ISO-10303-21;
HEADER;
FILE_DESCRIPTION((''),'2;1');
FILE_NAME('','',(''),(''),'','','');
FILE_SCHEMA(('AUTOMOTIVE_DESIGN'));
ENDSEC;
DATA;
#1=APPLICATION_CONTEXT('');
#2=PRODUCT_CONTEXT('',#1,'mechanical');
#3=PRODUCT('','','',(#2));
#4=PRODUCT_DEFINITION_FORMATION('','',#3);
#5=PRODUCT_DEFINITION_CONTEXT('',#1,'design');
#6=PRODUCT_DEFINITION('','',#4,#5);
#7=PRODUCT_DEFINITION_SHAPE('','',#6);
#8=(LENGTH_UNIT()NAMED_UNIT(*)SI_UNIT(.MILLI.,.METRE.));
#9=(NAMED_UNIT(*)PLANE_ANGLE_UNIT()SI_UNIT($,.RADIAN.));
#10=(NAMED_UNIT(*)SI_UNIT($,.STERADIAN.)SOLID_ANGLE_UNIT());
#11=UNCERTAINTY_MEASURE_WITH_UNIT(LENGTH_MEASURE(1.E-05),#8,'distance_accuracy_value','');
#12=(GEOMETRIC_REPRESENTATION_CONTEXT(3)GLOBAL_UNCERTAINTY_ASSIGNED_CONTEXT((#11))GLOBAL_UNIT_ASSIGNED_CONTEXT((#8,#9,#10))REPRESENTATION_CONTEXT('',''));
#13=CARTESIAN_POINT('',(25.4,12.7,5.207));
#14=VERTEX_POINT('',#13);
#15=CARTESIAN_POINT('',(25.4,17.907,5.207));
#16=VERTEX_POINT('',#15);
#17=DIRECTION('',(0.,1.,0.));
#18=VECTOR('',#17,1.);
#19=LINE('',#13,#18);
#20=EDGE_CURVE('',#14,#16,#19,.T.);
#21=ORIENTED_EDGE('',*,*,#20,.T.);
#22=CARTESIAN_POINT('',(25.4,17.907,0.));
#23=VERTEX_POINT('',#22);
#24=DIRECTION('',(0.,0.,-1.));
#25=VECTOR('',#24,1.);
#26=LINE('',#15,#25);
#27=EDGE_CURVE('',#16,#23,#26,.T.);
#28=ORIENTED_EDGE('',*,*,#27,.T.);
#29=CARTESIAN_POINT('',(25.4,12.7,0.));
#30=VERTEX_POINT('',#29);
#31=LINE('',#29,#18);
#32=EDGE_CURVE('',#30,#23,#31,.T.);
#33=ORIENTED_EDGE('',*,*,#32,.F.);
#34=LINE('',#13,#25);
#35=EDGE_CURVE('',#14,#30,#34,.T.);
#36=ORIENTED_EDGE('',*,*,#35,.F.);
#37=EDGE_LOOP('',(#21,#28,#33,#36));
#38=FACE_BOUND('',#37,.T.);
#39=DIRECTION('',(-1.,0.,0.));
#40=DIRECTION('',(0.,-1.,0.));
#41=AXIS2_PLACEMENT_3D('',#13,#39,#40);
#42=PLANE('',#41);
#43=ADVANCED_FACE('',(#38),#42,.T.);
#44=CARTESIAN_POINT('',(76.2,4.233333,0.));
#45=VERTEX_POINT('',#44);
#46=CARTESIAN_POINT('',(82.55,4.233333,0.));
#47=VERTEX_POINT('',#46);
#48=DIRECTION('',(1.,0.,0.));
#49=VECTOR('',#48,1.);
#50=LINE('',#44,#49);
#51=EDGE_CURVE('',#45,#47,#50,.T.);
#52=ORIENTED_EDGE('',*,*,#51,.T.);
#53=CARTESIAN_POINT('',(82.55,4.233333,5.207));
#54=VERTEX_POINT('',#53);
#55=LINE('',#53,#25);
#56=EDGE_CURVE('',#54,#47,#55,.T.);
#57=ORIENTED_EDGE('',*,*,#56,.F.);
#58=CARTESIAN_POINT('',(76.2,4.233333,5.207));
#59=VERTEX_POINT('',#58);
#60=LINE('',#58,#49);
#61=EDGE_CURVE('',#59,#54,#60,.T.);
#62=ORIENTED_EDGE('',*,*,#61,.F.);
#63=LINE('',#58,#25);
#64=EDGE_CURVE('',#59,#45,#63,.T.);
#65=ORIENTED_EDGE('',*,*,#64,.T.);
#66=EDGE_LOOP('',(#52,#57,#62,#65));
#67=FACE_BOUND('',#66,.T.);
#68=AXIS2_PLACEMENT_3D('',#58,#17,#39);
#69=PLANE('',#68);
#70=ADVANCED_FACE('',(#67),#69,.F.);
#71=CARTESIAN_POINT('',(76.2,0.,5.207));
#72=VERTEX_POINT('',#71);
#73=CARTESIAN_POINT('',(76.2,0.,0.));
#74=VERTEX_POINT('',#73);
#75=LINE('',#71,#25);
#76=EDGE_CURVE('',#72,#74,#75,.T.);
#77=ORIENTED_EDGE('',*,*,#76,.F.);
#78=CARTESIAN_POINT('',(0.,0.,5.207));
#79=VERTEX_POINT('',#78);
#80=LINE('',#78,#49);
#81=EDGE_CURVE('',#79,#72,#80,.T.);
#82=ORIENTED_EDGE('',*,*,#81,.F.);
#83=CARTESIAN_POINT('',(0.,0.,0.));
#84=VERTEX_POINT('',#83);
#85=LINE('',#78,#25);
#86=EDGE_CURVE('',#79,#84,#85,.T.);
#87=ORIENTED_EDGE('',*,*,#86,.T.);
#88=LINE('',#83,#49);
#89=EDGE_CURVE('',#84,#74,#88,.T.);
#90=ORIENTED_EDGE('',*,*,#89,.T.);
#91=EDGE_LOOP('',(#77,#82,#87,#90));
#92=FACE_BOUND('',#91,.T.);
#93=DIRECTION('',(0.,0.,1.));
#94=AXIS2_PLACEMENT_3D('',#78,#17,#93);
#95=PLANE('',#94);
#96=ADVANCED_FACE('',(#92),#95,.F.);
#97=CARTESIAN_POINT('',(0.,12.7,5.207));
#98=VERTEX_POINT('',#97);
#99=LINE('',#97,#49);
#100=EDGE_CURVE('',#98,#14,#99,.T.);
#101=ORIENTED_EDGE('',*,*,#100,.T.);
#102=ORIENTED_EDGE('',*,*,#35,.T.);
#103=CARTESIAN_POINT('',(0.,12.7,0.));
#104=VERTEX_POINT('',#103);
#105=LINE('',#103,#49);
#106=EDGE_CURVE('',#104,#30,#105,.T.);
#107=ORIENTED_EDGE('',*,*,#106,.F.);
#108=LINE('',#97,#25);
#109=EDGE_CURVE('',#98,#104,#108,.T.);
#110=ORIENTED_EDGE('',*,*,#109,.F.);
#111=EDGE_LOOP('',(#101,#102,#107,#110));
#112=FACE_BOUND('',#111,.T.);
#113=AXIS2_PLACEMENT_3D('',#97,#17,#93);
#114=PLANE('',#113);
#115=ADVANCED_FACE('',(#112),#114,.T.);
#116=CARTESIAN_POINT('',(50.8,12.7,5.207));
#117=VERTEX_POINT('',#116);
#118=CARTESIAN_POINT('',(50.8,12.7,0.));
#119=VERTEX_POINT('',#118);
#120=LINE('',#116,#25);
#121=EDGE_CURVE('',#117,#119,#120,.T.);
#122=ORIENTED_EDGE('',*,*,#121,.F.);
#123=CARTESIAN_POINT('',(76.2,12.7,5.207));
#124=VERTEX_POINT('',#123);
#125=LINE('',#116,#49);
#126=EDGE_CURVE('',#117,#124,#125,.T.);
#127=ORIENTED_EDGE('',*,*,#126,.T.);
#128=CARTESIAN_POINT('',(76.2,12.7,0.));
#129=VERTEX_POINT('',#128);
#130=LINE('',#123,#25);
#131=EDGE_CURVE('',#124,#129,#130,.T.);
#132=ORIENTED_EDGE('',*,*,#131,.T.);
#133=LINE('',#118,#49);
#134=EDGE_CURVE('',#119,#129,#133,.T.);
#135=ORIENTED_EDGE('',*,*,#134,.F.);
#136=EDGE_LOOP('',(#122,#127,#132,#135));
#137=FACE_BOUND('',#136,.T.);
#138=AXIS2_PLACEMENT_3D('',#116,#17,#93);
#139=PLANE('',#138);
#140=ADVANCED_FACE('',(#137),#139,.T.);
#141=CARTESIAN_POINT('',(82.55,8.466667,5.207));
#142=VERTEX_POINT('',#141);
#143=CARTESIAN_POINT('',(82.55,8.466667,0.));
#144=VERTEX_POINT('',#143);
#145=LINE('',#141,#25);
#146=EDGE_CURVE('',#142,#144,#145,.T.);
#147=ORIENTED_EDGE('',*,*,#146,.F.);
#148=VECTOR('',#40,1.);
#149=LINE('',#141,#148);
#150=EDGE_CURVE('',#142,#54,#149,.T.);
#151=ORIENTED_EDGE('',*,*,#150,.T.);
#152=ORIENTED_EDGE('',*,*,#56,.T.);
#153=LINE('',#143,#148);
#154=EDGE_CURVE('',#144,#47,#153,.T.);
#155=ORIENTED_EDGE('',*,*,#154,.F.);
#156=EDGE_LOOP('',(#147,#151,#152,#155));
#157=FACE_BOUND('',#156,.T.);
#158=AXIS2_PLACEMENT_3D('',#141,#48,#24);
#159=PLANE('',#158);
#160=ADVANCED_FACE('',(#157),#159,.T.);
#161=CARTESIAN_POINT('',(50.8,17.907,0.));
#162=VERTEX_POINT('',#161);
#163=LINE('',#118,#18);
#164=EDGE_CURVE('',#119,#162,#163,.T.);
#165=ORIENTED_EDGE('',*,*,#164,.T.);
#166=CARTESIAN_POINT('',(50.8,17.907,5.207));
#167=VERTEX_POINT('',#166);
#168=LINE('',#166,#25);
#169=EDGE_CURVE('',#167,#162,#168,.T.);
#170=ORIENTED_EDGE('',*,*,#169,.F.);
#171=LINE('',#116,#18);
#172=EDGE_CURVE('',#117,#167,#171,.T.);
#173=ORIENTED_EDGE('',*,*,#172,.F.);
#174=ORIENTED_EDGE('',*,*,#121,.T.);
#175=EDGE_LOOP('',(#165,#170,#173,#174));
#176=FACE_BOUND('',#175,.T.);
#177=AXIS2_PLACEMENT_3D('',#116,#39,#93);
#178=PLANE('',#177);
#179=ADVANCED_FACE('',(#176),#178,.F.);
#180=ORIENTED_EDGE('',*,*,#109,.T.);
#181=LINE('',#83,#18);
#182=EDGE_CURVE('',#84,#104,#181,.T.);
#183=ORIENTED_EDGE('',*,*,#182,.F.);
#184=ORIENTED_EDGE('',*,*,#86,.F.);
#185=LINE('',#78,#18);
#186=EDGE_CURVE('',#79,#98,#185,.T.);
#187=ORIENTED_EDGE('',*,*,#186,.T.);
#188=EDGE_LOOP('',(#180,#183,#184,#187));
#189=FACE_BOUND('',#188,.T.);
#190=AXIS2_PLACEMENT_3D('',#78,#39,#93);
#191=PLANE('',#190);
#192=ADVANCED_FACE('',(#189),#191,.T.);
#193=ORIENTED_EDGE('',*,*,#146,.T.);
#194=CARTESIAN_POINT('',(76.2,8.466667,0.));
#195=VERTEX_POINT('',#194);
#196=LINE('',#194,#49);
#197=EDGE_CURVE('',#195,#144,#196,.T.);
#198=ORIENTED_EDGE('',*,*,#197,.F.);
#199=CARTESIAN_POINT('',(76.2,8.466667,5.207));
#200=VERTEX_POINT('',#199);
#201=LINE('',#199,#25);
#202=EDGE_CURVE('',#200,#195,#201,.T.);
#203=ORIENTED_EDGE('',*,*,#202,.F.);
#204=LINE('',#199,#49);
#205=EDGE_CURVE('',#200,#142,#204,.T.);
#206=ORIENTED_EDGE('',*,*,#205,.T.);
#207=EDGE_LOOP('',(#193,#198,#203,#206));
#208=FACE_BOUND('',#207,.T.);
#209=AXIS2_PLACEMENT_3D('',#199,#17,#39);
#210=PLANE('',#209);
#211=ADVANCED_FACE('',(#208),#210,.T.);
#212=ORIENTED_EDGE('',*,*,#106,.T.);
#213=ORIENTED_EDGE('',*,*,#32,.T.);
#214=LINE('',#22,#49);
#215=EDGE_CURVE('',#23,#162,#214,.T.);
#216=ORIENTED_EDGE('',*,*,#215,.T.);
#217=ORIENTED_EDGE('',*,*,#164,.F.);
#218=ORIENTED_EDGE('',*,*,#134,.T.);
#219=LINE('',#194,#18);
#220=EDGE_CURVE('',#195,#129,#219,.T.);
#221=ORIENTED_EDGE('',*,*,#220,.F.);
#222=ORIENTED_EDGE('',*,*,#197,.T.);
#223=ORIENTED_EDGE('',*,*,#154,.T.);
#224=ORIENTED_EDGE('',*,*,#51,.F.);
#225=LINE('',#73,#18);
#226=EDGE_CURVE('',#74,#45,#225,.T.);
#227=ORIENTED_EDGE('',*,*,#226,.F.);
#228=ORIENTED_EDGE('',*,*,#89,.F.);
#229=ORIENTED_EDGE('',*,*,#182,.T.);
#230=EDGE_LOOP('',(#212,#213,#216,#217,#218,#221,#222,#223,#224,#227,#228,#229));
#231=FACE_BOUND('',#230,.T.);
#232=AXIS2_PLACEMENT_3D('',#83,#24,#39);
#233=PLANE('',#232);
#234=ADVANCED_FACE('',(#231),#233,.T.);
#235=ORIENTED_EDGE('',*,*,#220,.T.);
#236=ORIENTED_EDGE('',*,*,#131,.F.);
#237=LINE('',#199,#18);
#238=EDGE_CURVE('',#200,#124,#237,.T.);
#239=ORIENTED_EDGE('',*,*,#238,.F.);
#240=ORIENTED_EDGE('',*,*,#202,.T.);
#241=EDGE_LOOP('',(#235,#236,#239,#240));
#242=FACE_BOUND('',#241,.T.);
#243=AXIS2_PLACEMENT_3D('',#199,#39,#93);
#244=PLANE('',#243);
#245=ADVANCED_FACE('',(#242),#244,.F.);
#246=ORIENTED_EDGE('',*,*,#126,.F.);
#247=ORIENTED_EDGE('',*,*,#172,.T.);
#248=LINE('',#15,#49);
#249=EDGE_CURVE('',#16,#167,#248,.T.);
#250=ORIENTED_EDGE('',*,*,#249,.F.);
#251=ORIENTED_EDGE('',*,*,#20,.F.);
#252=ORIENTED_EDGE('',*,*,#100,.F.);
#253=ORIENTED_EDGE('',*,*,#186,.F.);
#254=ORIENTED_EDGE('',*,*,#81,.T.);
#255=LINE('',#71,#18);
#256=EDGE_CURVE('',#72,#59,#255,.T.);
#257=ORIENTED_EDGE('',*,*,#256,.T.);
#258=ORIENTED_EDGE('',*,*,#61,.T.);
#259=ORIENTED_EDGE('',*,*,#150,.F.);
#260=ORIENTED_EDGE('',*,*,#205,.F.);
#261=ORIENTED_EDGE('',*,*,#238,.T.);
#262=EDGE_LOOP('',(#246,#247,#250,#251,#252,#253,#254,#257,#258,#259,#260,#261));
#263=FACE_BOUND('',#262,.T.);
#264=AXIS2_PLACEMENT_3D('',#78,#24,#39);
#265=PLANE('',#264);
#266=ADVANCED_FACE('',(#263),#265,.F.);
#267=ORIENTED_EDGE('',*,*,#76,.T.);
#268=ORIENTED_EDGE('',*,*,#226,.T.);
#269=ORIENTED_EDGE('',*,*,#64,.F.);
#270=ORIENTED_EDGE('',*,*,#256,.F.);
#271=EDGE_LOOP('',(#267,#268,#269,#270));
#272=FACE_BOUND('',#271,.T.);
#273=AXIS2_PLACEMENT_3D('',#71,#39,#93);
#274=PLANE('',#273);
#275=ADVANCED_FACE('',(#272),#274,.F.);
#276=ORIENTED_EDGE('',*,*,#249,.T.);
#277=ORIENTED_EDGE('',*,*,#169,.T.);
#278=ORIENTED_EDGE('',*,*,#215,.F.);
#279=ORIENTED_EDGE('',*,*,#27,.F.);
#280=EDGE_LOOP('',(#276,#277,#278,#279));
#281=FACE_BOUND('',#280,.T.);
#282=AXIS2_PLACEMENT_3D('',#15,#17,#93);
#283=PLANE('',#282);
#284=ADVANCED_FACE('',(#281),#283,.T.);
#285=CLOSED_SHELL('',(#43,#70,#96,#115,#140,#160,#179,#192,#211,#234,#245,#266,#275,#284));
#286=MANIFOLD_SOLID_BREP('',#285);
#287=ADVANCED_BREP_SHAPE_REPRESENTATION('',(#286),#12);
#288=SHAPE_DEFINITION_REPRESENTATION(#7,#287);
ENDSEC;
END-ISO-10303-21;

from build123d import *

# Parameters (mm, degrees)
BOSS_EXTRUDE1_DEPTH = 5.207


with BuildPart() as part:
    # Sketch1 → Boss-Extrude1 (new body)
    with BuildSketch(Plane.XY):
        Polygon((50.8, 12.7), (76.2, 12.7), (76.2, 8.466666667), (82.55, 8.466666667), (82.55, 4.233333333), (76.2, 4.233333333), (76.2, 0), (0, 0), (0, 12.7), (25.4, 12.7), (25.4, 17.907), (50.8, 17.907), align=None)
    extrude(amount=BOSS_EXTRUDE1_DEPTH)


solid = part.part
